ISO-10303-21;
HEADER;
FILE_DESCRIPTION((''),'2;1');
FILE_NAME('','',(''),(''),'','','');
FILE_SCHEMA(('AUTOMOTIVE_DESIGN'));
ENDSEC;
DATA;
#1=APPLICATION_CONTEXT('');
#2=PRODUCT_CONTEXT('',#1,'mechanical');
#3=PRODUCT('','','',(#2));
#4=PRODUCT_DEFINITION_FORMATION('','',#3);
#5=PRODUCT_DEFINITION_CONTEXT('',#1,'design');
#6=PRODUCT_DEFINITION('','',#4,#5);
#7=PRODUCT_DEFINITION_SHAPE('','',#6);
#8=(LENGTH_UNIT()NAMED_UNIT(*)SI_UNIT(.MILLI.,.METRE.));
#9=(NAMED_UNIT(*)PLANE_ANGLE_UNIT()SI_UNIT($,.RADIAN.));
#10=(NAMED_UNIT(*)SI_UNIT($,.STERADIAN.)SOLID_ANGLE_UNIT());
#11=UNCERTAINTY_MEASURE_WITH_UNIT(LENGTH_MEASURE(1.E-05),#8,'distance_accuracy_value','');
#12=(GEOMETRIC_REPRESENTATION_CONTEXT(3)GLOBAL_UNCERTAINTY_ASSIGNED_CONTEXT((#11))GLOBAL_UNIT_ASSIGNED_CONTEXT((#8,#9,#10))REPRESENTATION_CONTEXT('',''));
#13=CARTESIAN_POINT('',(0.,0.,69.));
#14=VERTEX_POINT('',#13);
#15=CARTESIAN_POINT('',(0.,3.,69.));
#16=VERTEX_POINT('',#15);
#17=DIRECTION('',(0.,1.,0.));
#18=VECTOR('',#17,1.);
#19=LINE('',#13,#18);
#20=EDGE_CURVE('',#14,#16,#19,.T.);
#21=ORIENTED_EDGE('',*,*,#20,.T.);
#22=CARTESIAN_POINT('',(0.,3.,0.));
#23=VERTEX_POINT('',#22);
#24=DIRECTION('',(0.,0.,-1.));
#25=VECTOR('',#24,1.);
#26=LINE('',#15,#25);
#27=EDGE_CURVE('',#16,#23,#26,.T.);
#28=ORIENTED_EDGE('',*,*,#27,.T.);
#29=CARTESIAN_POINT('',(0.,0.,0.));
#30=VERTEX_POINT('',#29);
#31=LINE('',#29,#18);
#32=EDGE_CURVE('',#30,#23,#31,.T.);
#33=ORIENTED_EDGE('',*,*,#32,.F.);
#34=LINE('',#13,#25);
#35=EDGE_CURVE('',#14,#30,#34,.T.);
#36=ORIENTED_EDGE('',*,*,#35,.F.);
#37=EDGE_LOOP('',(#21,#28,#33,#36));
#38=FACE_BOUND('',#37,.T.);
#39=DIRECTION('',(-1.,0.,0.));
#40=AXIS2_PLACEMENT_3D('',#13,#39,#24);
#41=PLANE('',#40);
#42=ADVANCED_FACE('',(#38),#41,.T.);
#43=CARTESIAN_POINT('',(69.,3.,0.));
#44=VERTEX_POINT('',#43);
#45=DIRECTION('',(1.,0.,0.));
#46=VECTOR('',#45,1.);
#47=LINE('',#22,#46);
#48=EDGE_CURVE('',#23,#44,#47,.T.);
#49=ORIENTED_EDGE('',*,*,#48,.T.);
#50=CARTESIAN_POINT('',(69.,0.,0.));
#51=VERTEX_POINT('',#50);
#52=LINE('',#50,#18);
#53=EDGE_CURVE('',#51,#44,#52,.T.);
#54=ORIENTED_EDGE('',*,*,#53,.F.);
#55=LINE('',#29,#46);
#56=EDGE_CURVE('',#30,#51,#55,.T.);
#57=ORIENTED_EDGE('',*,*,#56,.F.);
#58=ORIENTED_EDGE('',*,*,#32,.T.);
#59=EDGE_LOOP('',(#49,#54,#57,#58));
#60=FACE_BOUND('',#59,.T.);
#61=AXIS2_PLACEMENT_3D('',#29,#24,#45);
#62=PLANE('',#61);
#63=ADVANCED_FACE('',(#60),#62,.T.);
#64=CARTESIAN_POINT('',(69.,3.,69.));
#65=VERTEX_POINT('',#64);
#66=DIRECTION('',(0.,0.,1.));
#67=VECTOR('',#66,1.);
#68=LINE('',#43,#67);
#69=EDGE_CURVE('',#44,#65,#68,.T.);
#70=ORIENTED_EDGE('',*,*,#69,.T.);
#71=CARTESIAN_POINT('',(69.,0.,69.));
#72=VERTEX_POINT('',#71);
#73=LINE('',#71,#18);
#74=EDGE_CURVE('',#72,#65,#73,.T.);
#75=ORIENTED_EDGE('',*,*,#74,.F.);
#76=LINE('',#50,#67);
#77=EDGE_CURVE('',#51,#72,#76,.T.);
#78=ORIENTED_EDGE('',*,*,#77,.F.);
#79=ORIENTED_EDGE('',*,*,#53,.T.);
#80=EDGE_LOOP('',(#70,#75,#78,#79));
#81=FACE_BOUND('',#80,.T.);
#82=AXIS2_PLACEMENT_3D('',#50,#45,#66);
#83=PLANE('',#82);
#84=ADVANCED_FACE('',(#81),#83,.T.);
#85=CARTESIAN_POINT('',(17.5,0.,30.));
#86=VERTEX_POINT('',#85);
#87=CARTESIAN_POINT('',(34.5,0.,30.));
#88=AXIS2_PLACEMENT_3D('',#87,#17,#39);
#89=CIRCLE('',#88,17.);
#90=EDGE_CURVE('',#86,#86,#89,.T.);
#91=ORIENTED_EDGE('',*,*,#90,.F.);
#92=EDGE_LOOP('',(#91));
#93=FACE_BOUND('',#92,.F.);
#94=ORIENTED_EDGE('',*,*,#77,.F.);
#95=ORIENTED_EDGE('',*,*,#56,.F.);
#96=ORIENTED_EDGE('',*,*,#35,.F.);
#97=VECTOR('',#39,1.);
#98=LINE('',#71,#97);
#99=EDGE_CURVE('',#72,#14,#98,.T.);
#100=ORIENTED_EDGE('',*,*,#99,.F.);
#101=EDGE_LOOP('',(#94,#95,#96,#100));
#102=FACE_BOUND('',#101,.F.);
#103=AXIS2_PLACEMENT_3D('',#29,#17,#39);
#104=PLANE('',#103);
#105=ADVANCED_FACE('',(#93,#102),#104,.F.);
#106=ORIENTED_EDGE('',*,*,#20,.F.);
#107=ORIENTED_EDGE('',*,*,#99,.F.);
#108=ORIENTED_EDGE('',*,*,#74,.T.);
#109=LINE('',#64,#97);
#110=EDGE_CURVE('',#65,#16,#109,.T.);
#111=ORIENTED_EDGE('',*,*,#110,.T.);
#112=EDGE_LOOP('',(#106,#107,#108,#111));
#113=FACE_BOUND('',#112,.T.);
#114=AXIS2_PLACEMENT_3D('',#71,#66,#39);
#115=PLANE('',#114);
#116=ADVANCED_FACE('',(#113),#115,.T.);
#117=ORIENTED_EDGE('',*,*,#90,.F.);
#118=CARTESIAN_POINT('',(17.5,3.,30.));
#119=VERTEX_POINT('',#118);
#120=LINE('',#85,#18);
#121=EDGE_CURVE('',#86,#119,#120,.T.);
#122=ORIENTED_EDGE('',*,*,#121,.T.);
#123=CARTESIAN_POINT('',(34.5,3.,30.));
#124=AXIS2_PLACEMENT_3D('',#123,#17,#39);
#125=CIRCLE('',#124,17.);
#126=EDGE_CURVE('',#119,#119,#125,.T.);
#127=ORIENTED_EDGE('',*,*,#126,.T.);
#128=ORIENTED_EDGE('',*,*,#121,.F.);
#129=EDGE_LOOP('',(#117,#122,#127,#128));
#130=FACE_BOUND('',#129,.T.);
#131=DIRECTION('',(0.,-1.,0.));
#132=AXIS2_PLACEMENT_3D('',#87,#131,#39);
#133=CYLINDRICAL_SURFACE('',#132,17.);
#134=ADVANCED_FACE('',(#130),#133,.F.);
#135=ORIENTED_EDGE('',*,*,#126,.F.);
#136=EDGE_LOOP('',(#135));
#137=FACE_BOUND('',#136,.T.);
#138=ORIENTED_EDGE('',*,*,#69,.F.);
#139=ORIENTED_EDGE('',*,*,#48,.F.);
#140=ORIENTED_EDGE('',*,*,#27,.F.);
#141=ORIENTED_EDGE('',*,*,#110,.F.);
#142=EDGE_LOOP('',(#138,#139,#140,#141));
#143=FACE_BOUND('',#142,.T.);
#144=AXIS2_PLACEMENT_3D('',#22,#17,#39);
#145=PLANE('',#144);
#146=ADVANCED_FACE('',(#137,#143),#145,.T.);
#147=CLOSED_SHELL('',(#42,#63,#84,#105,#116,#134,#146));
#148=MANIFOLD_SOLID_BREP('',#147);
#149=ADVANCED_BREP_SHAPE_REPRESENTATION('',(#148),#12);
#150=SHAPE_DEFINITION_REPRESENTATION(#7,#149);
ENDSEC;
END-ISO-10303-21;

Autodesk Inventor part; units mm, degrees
ref_plane "YZ Plane" through (0, 0, 0) normal (1, 0, 0) x (0, 1, 0)
ref_plane "XZ Plane" through (0, 0, 0) normal (0, 1, 0) x (-1, 0, 0)
ref_plane "XY Plane" through (0, 0, 0) normal (0, 0, 1) x (1, 0, 0)
sketch "Sketch1" plane through (0, 0, 0) normal (0, 1, 0) x (-1, 0, 0)
  line L0 (0, 0) -> (-69, 0)
  line L1 (-69, 0) -> (-69, 69)
  line L2 (-69, 69) -> (0, 69)
  line L3 (0, 69) -> (0, 0)
  circle A0 centre (-34.5, 30) radius 17
  line L4 (-34.5, 30) -> (-69, 30) construction
  line L5 (-34.5, 30) -> (0, 30) construction
  dimension "d0" = 69
  dimension "d1" = 69
  dimension "d2" = 34
  dimension "d5" = 30
extrude "Extrusion1" add sketch "Sketch1" along normal blind 3
properties part number "field-mover-motor-case"
